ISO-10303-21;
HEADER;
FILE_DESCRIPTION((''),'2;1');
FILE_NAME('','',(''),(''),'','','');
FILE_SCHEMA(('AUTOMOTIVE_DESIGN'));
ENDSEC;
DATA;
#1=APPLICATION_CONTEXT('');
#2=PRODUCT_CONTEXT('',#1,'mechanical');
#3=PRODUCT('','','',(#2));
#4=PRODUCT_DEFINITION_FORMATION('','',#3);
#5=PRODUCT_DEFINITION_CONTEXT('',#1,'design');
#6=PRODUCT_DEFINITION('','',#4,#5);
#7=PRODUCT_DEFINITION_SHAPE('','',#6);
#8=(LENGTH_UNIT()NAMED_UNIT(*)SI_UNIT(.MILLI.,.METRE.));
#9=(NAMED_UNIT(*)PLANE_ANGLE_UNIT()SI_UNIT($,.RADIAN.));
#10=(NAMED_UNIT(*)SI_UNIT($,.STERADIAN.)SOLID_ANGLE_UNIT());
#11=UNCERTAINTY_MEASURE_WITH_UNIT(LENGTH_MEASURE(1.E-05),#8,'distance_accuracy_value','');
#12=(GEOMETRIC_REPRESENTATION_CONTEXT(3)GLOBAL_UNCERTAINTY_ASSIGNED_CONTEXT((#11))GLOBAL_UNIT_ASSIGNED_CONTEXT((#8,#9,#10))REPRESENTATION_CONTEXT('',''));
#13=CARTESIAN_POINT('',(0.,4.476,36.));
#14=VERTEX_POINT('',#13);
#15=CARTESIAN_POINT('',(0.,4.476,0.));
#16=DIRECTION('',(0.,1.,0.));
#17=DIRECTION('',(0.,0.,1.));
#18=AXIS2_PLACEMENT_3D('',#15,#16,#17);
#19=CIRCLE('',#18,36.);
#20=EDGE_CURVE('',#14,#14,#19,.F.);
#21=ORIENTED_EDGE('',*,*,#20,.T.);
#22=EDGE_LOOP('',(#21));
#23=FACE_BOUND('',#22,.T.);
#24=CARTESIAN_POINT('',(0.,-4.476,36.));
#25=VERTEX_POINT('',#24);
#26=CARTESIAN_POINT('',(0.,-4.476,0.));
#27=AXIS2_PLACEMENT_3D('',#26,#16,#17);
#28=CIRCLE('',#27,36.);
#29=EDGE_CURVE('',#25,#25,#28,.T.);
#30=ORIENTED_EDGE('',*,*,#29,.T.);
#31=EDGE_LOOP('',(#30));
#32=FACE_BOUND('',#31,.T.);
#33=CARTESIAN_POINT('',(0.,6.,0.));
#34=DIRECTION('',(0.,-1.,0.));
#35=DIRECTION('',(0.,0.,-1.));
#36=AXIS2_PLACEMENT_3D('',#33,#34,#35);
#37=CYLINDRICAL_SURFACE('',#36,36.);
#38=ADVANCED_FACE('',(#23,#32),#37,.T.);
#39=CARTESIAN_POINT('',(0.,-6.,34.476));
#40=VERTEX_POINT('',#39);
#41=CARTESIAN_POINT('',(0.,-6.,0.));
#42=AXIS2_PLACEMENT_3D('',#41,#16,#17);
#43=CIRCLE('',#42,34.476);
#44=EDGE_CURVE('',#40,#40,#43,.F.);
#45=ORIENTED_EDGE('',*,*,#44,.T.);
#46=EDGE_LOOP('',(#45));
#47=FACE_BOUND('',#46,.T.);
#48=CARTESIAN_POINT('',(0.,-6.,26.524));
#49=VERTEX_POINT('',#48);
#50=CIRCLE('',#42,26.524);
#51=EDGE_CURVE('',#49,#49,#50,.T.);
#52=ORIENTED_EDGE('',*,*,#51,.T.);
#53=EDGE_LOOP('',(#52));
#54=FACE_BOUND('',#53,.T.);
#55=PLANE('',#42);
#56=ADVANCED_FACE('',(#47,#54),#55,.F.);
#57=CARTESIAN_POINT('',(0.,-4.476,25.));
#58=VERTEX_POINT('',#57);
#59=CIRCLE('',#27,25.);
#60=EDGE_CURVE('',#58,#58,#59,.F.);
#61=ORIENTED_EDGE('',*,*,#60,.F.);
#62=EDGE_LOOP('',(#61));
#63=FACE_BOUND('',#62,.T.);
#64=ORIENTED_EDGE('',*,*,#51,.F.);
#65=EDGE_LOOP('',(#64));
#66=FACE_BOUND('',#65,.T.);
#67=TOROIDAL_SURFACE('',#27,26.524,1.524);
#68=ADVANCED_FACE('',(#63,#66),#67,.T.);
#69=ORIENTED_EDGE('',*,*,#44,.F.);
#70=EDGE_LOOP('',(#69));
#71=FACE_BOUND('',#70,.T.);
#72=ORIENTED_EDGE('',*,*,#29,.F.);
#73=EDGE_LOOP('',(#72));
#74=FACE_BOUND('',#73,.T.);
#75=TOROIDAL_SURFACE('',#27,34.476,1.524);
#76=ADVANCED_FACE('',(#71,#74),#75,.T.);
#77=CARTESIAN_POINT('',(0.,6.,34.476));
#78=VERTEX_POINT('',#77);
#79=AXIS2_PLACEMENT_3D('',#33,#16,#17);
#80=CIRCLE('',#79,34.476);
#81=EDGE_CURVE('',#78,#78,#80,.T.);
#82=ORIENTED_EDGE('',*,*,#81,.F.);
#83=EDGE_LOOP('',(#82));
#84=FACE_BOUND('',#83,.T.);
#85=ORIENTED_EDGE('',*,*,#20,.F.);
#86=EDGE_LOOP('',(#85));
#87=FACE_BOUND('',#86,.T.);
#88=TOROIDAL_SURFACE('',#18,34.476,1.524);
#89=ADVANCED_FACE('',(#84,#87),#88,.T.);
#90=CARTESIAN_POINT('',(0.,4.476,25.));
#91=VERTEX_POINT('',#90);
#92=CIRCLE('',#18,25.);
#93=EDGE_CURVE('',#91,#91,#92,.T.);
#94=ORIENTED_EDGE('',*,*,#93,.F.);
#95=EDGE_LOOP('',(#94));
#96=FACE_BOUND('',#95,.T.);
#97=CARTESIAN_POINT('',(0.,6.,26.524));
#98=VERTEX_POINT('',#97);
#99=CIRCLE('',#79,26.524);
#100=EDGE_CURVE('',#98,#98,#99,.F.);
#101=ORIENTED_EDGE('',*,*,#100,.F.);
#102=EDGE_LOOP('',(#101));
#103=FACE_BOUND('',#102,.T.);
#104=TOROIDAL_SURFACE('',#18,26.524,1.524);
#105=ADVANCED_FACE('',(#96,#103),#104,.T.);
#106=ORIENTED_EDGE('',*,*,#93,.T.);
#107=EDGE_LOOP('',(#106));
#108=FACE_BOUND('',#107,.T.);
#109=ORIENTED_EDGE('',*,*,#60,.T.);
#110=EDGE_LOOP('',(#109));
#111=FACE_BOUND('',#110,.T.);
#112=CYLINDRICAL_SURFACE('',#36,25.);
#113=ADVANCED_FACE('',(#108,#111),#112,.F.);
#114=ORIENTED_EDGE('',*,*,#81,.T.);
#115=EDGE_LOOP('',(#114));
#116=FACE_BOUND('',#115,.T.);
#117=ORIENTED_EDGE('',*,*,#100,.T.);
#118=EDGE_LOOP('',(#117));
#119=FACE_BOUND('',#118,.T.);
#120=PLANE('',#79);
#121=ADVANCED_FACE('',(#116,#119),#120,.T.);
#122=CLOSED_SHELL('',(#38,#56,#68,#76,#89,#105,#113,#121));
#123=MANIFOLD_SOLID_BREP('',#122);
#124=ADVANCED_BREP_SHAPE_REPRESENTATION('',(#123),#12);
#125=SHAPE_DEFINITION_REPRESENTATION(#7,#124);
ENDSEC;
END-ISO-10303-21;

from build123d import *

# Parameters (mm, degrees)
SKETCH1_R           = 36
SKETCH1_R_2         = 25
BOSS_EXTRUDE1_DEPTH = 6
FILLET1_R           = 1.524


with BuildPart() as part:
    # Sketch1 → Boss-Extrude1 (new, symmetric)
    with BuildSketch(Plane(origin=(0, 0, 0), x_dir=(1, 0, 0), z_dir=(0, 1, 0))):
        with Locations(Location((0, 0, 0), (0, 0, 270))):
            Circle(SKETCH1_R)
        with Locations(Location((0, 0, 0), (0, 0, 270))):
            Circle(SKETCH1_R_2, mode=Mode.SUBTRACT)
    extrude(amount=BOSS_EXTRUDE1_DEPTH, both=True)

    # Fillet1
    fillet1_edges = [part.edges().sort_by_distance(p)[0] for p in [
        (0, -6, -36),
        (0, 6, -36),
        (0, -6, -25),
        (0, 6, -25),
    ]]
    fillet(fillet1_edges, radius=FILLET1_R)


solid = part.part
